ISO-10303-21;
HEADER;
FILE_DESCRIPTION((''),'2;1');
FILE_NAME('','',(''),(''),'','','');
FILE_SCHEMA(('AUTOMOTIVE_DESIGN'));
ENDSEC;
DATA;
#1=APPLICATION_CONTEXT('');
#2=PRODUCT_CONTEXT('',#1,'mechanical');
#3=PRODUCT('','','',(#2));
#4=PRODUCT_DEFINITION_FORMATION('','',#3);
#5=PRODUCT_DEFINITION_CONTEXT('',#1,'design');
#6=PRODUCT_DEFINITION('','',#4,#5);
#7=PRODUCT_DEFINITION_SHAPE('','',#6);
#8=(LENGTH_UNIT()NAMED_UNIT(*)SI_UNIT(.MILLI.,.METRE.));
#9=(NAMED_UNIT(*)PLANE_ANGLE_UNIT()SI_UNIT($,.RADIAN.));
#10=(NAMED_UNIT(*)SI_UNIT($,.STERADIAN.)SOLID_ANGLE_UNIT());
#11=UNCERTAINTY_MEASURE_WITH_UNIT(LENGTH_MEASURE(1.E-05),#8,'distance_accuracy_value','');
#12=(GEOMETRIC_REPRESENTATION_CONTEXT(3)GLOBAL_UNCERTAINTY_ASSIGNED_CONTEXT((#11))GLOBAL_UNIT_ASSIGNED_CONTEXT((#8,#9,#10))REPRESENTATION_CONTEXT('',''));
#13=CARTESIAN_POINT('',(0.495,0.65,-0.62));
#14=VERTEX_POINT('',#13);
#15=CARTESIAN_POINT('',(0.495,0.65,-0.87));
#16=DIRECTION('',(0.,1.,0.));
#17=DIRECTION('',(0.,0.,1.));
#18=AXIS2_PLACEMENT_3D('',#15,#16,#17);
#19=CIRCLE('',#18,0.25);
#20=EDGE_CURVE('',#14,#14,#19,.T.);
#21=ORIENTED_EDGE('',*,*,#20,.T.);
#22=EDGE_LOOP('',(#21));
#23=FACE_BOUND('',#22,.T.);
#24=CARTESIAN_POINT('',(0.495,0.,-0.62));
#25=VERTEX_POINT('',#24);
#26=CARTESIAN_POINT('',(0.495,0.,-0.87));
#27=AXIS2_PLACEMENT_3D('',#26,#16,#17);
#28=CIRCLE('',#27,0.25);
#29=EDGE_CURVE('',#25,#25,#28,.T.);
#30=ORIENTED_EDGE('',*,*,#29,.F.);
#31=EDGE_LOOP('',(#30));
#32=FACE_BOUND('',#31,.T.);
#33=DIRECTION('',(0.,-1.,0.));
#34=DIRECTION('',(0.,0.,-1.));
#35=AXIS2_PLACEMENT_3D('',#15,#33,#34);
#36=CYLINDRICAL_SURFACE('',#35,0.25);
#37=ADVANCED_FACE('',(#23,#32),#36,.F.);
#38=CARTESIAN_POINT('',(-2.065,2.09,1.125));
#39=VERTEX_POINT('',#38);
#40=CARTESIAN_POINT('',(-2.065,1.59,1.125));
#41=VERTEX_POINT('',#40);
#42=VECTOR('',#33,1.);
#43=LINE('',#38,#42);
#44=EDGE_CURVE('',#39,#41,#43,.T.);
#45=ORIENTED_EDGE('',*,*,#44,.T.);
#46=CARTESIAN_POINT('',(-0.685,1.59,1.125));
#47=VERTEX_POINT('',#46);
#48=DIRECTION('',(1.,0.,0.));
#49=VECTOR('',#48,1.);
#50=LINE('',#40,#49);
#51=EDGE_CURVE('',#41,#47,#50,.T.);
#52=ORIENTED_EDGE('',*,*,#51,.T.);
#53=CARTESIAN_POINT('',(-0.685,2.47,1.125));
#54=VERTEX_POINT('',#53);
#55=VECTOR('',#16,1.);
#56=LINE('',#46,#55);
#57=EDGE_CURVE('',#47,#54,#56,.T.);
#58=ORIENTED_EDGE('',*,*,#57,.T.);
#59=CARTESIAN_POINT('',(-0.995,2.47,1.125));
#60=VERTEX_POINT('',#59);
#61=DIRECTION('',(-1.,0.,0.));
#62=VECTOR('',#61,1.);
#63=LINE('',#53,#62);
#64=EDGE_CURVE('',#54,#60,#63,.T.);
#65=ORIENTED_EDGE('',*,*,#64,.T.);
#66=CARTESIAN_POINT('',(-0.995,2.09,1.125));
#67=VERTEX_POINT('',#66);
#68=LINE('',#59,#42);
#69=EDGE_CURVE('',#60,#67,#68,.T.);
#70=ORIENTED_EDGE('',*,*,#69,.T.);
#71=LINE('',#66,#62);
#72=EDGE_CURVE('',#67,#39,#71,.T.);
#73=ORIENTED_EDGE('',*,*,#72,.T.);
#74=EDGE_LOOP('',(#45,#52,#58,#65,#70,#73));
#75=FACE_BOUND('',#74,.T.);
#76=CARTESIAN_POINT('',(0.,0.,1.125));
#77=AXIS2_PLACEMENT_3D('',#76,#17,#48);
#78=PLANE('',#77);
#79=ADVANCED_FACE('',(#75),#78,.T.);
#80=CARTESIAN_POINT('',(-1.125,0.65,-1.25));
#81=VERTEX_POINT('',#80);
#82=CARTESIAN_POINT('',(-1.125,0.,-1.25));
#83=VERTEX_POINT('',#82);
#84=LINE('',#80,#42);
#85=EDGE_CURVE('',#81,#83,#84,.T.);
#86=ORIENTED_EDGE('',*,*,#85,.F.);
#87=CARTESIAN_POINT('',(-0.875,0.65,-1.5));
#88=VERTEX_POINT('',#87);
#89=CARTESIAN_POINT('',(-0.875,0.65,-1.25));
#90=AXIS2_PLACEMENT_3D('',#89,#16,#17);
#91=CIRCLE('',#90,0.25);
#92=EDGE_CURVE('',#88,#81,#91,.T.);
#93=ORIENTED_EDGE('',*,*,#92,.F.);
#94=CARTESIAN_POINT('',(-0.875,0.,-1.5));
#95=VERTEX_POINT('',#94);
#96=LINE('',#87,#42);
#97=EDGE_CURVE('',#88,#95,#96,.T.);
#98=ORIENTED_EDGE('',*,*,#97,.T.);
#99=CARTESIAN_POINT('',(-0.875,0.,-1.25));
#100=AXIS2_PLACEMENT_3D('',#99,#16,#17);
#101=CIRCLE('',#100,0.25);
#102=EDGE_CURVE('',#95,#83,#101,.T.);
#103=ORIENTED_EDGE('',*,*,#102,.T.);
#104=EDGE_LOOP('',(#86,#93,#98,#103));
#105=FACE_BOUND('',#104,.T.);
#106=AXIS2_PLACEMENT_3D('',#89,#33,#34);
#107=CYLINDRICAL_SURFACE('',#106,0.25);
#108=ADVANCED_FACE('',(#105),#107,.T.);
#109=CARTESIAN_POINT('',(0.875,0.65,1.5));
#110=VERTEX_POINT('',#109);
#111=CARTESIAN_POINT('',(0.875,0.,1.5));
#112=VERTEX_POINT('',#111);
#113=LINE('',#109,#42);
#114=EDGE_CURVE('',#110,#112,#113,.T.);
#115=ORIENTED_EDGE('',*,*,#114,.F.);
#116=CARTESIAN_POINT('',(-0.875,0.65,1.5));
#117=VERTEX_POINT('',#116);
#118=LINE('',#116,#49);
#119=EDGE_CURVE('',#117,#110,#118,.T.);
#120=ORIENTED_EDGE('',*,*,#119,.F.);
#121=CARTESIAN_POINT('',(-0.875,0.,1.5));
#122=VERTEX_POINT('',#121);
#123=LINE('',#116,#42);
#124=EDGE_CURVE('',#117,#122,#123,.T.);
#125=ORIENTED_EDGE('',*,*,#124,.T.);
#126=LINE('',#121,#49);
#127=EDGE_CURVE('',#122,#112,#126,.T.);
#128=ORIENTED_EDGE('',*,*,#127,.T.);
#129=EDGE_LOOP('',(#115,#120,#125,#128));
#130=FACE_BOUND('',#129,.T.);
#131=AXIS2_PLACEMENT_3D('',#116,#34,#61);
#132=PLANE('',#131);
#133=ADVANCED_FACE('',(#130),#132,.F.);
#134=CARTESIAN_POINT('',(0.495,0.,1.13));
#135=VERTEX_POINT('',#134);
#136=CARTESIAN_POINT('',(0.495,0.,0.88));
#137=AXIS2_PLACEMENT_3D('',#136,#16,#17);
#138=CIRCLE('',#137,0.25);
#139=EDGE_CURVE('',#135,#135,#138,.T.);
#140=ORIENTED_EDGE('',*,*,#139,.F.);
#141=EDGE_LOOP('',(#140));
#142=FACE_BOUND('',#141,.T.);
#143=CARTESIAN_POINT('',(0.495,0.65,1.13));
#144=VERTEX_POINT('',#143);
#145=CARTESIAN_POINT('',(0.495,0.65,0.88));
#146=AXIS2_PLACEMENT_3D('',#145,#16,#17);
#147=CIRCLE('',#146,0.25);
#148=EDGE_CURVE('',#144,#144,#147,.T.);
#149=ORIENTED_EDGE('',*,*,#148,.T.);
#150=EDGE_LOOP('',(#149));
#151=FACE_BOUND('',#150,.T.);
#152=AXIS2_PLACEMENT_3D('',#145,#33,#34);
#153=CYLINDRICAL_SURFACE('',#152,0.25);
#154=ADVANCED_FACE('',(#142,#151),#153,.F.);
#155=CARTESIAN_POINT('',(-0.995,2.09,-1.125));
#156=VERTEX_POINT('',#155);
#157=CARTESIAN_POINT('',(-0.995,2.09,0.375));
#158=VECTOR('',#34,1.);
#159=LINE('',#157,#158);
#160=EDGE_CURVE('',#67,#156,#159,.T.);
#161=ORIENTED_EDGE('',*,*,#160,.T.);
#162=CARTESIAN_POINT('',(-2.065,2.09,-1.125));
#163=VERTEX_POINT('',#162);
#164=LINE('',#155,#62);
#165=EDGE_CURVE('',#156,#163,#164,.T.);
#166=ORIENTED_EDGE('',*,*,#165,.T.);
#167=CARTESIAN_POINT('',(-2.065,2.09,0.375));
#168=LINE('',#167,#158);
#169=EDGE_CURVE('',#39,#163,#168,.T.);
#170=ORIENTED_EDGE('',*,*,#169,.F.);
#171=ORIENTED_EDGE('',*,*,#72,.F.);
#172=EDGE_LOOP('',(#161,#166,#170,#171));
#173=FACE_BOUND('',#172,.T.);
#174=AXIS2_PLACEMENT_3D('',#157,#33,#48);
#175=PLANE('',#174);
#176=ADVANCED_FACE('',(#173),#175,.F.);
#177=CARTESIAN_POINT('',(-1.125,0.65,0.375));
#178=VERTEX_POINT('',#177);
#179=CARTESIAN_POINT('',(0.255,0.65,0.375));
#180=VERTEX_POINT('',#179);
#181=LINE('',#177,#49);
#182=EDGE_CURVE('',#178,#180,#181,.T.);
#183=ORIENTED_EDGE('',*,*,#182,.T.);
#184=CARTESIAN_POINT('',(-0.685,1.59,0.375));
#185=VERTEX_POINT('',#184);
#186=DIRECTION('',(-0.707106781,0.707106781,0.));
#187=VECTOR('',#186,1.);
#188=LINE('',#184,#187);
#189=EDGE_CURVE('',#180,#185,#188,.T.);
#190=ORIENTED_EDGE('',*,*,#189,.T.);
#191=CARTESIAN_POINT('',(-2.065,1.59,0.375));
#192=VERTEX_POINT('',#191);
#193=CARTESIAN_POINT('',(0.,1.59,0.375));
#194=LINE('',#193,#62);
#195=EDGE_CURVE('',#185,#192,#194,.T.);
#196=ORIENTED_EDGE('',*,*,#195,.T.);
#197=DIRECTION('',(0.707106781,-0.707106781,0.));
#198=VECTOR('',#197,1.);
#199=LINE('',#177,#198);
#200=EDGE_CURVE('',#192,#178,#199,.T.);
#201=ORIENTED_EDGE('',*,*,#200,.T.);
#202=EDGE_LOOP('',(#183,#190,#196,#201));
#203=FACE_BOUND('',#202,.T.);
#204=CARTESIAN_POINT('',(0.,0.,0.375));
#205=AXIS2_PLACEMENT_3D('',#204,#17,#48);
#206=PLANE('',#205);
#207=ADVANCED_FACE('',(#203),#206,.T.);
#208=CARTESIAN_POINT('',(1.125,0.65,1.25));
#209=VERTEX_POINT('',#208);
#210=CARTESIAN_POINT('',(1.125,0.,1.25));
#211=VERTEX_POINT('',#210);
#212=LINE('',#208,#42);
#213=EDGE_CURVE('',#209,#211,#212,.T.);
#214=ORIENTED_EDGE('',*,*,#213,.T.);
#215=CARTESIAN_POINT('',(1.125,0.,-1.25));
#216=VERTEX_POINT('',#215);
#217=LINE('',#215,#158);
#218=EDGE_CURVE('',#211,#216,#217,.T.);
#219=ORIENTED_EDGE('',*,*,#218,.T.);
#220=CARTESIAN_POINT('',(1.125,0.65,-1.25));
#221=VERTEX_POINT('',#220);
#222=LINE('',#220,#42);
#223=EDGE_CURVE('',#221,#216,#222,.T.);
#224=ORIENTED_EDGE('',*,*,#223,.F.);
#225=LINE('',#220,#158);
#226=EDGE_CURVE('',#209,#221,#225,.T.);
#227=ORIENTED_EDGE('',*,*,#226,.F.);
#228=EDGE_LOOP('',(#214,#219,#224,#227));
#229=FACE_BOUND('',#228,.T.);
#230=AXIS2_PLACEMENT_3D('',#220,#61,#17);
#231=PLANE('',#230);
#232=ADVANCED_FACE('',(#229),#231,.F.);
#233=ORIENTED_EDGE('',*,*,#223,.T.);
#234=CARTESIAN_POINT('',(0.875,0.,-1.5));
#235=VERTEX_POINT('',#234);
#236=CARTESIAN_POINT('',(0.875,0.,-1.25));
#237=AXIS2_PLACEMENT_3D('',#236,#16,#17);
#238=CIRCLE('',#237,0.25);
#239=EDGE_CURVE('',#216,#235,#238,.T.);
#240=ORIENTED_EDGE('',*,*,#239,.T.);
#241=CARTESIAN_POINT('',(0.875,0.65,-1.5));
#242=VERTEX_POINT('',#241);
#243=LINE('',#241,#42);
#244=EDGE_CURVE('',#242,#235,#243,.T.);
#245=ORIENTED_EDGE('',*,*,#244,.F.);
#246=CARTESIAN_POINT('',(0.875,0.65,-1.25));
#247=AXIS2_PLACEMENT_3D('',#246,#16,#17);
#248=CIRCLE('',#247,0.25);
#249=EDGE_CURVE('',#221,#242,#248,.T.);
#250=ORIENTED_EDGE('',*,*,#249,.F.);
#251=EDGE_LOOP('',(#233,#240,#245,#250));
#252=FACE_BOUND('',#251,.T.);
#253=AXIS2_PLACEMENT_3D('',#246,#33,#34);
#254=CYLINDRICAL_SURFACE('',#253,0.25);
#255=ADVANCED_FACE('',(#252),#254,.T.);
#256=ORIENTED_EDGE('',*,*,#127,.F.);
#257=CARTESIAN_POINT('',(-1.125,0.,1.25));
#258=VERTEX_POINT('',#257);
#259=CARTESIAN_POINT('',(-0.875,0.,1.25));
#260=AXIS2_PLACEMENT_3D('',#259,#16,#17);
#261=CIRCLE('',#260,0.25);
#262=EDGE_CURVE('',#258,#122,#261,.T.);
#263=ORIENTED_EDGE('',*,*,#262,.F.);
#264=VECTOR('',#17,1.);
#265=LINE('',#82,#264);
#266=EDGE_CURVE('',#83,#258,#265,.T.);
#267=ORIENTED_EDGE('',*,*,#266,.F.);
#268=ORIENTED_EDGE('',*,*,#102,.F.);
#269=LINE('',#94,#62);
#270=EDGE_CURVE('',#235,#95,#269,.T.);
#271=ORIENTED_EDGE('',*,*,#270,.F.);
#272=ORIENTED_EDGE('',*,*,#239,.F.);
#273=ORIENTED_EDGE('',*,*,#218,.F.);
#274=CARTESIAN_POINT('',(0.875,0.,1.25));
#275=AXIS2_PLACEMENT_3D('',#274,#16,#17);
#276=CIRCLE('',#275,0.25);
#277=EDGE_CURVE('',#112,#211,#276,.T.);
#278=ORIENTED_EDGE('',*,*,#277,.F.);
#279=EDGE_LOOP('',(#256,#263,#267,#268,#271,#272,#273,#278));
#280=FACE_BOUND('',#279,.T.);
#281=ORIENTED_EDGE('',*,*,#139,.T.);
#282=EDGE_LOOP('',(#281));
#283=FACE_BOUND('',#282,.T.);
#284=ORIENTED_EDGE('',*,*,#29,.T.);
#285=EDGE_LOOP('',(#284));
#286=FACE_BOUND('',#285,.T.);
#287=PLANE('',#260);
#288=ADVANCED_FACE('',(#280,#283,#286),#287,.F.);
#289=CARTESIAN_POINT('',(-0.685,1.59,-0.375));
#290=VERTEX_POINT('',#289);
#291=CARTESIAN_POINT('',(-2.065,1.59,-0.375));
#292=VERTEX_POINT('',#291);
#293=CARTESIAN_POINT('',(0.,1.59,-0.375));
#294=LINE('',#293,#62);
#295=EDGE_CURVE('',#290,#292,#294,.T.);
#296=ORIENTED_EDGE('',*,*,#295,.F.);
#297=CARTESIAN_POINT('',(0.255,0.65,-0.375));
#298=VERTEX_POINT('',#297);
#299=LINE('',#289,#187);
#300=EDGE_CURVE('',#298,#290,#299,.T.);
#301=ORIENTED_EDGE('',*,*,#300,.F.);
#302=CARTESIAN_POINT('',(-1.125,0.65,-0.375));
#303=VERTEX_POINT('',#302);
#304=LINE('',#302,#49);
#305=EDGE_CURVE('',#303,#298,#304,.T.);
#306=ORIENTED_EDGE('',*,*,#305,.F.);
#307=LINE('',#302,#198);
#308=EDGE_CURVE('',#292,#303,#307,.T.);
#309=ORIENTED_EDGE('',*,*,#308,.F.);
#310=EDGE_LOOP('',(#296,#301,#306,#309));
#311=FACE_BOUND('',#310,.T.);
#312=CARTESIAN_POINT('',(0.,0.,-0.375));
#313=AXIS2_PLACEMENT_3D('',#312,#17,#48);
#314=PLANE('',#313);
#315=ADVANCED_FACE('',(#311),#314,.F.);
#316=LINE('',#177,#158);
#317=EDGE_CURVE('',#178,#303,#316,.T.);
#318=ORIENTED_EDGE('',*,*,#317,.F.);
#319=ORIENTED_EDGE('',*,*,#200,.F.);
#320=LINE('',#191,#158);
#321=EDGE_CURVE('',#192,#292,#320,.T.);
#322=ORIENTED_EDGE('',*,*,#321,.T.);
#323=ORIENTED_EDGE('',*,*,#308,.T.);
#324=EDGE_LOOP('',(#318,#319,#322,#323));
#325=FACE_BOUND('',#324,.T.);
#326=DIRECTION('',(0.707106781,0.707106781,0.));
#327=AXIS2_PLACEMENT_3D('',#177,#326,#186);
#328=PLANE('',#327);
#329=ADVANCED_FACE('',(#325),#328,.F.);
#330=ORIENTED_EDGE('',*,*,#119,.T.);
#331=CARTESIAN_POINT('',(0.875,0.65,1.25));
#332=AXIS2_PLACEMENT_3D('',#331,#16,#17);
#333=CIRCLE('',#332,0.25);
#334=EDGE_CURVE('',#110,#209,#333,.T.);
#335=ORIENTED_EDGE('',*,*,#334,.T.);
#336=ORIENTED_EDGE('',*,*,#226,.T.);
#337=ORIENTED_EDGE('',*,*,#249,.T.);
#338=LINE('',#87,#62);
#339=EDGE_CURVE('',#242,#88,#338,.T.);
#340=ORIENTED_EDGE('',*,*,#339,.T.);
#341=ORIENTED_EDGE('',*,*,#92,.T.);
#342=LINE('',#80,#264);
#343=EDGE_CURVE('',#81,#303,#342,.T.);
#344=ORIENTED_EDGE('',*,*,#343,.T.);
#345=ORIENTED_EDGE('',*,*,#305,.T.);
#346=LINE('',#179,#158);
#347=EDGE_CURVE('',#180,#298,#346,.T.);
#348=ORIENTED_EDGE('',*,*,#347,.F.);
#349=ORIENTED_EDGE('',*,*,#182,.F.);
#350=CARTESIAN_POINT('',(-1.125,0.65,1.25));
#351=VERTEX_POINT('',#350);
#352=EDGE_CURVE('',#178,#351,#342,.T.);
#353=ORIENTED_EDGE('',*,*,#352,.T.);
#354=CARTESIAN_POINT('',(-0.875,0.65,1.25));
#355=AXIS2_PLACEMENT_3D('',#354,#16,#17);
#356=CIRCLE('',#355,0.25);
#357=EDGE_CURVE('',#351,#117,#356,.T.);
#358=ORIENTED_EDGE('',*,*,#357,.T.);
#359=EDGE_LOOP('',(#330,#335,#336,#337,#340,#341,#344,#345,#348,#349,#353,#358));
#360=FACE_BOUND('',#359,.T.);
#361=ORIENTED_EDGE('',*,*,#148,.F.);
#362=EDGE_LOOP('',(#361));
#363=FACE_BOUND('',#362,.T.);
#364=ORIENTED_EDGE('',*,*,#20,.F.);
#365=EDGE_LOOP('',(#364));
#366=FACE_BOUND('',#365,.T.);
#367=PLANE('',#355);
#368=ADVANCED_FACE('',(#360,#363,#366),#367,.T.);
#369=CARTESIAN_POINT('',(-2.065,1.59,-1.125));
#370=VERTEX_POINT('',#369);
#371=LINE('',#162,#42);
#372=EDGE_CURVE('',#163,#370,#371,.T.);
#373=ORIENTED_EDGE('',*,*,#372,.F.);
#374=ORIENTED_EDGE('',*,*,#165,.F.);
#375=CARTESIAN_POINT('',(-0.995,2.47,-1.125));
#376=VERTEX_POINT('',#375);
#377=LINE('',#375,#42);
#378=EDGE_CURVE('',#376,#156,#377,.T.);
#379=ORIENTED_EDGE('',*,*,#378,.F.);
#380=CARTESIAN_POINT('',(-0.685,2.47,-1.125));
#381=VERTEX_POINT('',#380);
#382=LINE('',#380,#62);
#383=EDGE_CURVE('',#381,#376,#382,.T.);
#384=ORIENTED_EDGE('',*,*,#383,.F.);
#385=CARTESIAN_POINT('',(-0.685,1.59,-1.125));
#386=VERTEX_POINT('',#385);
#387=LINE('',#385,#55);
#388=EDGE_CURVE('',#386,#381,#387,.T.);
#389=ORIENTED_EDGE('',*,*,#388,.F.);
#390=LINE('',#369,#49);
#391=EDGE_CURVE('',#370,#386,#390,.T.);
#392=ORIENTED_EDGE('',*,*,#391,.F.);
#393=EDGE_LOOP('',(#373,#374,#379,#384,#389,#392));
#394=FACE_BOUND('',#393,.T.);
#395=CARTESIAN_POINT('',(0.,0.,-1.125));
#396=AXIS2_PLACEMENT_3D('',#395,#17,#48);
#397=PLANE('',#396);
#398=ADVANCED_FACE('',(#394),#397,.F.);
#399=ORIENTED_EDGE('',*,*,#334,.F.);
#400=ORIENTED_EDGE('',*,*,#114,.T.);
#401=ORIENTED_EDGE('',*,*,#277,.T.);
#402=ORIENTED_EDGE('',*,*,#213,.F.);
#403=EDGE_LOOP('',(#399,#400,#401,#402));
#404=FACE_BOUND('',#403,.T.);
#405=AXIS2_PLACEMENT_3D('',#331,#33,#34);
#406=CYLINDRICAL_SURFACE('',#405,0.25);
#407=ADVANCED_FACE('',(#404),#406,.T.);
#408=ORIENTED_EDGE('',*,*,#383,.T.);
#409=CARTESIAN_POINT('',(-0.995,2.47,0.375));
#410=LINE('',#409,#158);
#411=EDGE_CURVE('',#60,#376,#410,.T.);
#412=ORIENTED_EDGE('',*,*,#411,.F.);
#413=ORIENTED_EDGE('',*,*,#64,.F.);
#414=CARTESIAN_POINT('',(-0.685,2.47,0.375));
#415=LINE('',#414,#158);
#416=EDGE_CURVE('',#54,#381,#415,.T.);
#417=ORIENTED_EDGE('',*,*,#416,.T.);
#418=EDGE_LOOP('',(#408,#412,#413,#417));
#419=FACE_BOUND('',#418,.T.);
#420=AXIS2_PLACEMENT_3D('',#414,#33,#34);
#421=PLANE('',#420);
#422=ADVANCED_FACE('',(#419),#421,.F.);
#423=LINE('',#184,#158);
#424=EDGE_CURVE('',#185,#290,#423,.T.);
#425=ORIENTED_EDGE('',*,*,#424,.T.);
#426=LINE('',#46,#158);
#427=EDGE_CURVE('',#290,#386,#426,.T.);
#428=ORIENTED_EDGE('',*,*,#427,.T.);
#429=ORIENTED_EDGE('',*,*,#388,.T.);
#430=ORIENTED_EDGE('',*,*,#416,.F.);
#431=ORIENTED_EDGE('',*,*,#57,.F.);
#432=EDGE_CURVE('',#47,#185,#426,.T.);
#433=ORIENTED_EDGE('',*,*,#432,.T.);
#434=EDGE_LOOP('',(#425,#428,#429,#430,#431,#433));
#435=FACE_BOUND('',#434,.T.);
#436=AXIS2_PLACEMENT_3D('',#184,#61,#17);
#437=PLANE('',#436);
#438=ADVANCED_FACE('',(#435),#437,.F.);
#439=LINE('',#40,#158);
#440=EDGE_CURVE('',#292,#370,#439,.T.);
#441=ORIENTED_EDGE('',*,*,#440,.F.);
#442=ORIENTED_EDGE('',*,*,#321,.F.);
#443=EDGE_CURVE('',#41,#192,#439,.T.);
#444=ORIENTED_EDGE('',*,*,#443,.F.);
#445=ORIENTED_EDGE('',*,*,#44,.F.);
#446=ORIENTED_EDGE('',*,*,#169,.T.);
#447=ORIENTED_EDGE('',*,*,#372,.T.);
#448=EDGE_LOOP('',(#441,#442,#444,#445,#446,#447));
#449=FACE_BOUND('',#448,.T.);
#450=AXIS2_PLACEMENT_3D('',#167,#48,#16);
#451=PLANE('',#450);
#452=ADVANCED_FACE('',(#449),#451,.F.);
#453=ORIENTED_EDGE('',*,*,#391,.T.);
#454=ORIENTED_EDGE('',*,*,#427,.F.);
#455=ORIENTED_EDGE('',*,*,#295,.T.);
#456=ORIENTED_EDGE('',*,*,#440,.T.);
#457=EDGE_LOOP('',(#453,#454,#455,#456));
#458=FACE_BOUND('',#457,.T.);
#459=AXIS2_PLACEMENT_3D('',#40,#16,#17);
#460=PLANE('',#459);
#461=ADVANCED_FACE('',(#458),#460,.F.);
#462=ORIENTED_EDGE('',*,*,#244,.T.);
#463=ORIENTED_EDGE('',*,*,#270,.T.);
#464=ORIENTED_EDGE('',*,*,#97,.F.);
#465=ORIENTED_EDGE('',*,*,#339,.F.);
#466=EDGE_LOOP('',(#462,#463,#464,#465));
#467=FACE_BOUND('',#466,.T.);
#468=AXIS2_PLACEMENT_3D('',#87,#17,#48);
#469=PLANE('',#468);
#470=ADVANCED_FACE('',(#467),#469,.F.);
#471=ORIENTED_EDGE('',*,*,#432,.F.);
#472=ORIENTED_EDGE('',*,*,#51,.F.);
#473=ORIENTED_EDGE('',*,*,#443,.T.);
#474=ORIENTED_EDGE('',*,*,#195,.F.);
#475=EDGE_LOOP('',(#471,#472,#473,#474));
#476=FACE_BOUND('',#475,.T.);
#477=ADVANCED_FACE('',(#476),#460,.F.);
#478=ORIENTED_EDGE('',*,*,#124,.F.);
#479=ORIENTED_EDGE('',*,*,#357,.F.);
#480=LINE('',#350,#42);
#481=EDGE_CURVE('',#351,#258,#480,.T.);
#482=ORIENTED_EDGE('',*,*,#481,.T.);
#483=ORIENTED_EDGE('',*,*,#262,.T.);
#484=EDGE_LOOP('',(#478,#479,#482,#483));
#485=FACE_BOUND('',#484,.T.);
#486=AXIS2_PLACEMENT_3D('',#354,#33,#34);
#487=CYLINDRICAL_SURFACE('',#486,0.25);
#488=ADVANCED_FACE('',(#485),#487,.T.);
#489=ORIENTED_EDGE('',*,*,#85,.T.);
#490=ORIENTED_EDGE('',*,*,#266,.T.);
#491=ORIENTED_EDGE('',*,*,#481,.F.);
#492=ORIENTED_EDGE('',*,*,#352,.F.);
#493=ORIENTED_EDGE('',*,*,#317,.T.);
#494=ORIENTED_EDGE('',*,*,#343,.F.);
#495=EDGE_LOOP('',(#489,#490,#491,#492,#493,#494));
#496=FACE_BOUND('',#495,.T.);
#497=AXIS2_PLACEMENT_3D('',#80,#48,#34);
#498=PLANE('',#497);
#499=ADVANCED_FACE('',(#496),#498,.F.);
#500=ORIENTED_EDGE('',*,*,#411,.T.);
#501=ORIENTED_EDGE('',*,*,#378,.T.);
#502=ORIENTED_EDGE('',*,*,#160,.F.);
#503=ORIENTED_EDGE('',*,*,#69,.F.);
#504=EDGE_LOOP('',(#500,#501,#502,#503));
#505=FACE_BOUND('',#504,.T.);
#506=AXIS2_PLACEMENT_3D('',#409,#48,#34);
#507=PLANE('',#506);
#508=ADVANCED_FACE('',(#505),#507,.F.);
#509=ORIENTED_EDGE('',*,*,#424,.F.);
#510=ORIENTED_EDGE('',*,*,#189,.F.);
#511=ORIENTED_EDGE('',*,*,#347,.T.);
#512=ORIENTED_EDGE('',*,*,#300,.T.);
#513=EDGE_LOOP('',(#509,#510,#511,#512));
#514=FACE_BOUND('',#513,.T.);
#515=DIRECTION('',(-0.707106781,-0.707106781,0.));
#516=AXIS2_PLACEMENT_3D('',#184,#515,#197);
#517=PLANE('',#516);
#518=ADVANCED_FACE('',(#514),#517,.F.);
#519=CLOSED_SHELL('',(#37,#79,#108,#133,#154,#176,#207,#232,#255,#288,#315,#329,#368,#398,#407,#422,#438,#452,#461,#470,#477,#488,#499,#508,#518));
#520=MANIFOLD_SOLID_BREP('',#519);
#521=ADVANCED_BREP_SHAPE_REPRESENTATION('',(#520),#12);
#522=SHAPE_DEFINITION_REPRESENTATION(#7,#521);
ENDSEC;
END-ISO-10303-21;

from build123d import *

# Parameters (mm, degrees)
CROQUIS1_R              = 0.25
SALIENTE_EXTRUIR2_DEPTH = 0.65
SALIENTE_EXTRUIR3_DEPTH = 0.375
SALIENTE_EXTRUIR4_DEPTH = 1.125


with BuildPart() as part:
    # Croquis1 → Saliente-Extruir2 (new body)
    with BuildSketch(Plane(origin=(0, 0, 0), x_dir=(1, 0, 0), z_dir=(0, 1, 0))):
        with BuildLine():
            Line((-0.875, 1.5), (0.875, 1.5))
            ThreePointArc((0.875, 1.5), (1.051776695, 1.426776695), (1.125, 1.25))
            Line((1.125, 1.25), (1.125, -1.25))
            ThreePointArc((1.125, -1.25), (1.051776695, -1.426776695), (0.875, -1.5))
            Line((0.875, -1.5), (-0.875, -1.5))
            ThreePointArc((-0.875, -1.5), (-1.051776695, -1.426776695), (-1.125, -1.25))
            Line((-1.125, -1.25), (-1.125, 1.25))
            ThreePointArc((-1.125, 1.25), (-1.051776695, 1.426776695), (-0.875, 1.5))
        make_face()
        with Locations(Location((0.495, 0.87, 0), (0, 0, 270))):
            Circle(CROQUIS1_R, mode=Mode.SUBTRACT)
        with Locations(Location((0.495, -0.88, 0), (0, 0, 270))):
            Circle(CROQUIS1_R, mode=Mode.SUBTRACT)
    extrude(amount=SALIENTE_EXTRUIR2_DEPTH)

    # Croquis6 → Saliente-Extruir3 (add, symmetric)
    with BuildSketch(Plane.XY):
        Polygon((-1.125, 0.65), (-2.065, 1.59), (-2.065, 2.09), (-0.995, 2.09), (-0.995, 2.47), (-0.685, 2.47), (-0.685, 1.59), (0.255, 0.65), align=None)
    extrude(amount=SALIENTE_EXTRUIR3_DEPTH, both=True)

    # Croquis7 → Saliente-Extruir4 (add, symmetric)
    with BuildSketch(Plane.XY):
        Polygon((-2.065, 1.59), (-0.685, 1.59), (-0.685, 2.47), (-0.995, 2.47), (-0.995, 2.09), (-2.065, 2.09), align=None)
    extrude(amount=SALIENTE_EXTRUIR4_DEPTH, both=True)


solid = part.part
